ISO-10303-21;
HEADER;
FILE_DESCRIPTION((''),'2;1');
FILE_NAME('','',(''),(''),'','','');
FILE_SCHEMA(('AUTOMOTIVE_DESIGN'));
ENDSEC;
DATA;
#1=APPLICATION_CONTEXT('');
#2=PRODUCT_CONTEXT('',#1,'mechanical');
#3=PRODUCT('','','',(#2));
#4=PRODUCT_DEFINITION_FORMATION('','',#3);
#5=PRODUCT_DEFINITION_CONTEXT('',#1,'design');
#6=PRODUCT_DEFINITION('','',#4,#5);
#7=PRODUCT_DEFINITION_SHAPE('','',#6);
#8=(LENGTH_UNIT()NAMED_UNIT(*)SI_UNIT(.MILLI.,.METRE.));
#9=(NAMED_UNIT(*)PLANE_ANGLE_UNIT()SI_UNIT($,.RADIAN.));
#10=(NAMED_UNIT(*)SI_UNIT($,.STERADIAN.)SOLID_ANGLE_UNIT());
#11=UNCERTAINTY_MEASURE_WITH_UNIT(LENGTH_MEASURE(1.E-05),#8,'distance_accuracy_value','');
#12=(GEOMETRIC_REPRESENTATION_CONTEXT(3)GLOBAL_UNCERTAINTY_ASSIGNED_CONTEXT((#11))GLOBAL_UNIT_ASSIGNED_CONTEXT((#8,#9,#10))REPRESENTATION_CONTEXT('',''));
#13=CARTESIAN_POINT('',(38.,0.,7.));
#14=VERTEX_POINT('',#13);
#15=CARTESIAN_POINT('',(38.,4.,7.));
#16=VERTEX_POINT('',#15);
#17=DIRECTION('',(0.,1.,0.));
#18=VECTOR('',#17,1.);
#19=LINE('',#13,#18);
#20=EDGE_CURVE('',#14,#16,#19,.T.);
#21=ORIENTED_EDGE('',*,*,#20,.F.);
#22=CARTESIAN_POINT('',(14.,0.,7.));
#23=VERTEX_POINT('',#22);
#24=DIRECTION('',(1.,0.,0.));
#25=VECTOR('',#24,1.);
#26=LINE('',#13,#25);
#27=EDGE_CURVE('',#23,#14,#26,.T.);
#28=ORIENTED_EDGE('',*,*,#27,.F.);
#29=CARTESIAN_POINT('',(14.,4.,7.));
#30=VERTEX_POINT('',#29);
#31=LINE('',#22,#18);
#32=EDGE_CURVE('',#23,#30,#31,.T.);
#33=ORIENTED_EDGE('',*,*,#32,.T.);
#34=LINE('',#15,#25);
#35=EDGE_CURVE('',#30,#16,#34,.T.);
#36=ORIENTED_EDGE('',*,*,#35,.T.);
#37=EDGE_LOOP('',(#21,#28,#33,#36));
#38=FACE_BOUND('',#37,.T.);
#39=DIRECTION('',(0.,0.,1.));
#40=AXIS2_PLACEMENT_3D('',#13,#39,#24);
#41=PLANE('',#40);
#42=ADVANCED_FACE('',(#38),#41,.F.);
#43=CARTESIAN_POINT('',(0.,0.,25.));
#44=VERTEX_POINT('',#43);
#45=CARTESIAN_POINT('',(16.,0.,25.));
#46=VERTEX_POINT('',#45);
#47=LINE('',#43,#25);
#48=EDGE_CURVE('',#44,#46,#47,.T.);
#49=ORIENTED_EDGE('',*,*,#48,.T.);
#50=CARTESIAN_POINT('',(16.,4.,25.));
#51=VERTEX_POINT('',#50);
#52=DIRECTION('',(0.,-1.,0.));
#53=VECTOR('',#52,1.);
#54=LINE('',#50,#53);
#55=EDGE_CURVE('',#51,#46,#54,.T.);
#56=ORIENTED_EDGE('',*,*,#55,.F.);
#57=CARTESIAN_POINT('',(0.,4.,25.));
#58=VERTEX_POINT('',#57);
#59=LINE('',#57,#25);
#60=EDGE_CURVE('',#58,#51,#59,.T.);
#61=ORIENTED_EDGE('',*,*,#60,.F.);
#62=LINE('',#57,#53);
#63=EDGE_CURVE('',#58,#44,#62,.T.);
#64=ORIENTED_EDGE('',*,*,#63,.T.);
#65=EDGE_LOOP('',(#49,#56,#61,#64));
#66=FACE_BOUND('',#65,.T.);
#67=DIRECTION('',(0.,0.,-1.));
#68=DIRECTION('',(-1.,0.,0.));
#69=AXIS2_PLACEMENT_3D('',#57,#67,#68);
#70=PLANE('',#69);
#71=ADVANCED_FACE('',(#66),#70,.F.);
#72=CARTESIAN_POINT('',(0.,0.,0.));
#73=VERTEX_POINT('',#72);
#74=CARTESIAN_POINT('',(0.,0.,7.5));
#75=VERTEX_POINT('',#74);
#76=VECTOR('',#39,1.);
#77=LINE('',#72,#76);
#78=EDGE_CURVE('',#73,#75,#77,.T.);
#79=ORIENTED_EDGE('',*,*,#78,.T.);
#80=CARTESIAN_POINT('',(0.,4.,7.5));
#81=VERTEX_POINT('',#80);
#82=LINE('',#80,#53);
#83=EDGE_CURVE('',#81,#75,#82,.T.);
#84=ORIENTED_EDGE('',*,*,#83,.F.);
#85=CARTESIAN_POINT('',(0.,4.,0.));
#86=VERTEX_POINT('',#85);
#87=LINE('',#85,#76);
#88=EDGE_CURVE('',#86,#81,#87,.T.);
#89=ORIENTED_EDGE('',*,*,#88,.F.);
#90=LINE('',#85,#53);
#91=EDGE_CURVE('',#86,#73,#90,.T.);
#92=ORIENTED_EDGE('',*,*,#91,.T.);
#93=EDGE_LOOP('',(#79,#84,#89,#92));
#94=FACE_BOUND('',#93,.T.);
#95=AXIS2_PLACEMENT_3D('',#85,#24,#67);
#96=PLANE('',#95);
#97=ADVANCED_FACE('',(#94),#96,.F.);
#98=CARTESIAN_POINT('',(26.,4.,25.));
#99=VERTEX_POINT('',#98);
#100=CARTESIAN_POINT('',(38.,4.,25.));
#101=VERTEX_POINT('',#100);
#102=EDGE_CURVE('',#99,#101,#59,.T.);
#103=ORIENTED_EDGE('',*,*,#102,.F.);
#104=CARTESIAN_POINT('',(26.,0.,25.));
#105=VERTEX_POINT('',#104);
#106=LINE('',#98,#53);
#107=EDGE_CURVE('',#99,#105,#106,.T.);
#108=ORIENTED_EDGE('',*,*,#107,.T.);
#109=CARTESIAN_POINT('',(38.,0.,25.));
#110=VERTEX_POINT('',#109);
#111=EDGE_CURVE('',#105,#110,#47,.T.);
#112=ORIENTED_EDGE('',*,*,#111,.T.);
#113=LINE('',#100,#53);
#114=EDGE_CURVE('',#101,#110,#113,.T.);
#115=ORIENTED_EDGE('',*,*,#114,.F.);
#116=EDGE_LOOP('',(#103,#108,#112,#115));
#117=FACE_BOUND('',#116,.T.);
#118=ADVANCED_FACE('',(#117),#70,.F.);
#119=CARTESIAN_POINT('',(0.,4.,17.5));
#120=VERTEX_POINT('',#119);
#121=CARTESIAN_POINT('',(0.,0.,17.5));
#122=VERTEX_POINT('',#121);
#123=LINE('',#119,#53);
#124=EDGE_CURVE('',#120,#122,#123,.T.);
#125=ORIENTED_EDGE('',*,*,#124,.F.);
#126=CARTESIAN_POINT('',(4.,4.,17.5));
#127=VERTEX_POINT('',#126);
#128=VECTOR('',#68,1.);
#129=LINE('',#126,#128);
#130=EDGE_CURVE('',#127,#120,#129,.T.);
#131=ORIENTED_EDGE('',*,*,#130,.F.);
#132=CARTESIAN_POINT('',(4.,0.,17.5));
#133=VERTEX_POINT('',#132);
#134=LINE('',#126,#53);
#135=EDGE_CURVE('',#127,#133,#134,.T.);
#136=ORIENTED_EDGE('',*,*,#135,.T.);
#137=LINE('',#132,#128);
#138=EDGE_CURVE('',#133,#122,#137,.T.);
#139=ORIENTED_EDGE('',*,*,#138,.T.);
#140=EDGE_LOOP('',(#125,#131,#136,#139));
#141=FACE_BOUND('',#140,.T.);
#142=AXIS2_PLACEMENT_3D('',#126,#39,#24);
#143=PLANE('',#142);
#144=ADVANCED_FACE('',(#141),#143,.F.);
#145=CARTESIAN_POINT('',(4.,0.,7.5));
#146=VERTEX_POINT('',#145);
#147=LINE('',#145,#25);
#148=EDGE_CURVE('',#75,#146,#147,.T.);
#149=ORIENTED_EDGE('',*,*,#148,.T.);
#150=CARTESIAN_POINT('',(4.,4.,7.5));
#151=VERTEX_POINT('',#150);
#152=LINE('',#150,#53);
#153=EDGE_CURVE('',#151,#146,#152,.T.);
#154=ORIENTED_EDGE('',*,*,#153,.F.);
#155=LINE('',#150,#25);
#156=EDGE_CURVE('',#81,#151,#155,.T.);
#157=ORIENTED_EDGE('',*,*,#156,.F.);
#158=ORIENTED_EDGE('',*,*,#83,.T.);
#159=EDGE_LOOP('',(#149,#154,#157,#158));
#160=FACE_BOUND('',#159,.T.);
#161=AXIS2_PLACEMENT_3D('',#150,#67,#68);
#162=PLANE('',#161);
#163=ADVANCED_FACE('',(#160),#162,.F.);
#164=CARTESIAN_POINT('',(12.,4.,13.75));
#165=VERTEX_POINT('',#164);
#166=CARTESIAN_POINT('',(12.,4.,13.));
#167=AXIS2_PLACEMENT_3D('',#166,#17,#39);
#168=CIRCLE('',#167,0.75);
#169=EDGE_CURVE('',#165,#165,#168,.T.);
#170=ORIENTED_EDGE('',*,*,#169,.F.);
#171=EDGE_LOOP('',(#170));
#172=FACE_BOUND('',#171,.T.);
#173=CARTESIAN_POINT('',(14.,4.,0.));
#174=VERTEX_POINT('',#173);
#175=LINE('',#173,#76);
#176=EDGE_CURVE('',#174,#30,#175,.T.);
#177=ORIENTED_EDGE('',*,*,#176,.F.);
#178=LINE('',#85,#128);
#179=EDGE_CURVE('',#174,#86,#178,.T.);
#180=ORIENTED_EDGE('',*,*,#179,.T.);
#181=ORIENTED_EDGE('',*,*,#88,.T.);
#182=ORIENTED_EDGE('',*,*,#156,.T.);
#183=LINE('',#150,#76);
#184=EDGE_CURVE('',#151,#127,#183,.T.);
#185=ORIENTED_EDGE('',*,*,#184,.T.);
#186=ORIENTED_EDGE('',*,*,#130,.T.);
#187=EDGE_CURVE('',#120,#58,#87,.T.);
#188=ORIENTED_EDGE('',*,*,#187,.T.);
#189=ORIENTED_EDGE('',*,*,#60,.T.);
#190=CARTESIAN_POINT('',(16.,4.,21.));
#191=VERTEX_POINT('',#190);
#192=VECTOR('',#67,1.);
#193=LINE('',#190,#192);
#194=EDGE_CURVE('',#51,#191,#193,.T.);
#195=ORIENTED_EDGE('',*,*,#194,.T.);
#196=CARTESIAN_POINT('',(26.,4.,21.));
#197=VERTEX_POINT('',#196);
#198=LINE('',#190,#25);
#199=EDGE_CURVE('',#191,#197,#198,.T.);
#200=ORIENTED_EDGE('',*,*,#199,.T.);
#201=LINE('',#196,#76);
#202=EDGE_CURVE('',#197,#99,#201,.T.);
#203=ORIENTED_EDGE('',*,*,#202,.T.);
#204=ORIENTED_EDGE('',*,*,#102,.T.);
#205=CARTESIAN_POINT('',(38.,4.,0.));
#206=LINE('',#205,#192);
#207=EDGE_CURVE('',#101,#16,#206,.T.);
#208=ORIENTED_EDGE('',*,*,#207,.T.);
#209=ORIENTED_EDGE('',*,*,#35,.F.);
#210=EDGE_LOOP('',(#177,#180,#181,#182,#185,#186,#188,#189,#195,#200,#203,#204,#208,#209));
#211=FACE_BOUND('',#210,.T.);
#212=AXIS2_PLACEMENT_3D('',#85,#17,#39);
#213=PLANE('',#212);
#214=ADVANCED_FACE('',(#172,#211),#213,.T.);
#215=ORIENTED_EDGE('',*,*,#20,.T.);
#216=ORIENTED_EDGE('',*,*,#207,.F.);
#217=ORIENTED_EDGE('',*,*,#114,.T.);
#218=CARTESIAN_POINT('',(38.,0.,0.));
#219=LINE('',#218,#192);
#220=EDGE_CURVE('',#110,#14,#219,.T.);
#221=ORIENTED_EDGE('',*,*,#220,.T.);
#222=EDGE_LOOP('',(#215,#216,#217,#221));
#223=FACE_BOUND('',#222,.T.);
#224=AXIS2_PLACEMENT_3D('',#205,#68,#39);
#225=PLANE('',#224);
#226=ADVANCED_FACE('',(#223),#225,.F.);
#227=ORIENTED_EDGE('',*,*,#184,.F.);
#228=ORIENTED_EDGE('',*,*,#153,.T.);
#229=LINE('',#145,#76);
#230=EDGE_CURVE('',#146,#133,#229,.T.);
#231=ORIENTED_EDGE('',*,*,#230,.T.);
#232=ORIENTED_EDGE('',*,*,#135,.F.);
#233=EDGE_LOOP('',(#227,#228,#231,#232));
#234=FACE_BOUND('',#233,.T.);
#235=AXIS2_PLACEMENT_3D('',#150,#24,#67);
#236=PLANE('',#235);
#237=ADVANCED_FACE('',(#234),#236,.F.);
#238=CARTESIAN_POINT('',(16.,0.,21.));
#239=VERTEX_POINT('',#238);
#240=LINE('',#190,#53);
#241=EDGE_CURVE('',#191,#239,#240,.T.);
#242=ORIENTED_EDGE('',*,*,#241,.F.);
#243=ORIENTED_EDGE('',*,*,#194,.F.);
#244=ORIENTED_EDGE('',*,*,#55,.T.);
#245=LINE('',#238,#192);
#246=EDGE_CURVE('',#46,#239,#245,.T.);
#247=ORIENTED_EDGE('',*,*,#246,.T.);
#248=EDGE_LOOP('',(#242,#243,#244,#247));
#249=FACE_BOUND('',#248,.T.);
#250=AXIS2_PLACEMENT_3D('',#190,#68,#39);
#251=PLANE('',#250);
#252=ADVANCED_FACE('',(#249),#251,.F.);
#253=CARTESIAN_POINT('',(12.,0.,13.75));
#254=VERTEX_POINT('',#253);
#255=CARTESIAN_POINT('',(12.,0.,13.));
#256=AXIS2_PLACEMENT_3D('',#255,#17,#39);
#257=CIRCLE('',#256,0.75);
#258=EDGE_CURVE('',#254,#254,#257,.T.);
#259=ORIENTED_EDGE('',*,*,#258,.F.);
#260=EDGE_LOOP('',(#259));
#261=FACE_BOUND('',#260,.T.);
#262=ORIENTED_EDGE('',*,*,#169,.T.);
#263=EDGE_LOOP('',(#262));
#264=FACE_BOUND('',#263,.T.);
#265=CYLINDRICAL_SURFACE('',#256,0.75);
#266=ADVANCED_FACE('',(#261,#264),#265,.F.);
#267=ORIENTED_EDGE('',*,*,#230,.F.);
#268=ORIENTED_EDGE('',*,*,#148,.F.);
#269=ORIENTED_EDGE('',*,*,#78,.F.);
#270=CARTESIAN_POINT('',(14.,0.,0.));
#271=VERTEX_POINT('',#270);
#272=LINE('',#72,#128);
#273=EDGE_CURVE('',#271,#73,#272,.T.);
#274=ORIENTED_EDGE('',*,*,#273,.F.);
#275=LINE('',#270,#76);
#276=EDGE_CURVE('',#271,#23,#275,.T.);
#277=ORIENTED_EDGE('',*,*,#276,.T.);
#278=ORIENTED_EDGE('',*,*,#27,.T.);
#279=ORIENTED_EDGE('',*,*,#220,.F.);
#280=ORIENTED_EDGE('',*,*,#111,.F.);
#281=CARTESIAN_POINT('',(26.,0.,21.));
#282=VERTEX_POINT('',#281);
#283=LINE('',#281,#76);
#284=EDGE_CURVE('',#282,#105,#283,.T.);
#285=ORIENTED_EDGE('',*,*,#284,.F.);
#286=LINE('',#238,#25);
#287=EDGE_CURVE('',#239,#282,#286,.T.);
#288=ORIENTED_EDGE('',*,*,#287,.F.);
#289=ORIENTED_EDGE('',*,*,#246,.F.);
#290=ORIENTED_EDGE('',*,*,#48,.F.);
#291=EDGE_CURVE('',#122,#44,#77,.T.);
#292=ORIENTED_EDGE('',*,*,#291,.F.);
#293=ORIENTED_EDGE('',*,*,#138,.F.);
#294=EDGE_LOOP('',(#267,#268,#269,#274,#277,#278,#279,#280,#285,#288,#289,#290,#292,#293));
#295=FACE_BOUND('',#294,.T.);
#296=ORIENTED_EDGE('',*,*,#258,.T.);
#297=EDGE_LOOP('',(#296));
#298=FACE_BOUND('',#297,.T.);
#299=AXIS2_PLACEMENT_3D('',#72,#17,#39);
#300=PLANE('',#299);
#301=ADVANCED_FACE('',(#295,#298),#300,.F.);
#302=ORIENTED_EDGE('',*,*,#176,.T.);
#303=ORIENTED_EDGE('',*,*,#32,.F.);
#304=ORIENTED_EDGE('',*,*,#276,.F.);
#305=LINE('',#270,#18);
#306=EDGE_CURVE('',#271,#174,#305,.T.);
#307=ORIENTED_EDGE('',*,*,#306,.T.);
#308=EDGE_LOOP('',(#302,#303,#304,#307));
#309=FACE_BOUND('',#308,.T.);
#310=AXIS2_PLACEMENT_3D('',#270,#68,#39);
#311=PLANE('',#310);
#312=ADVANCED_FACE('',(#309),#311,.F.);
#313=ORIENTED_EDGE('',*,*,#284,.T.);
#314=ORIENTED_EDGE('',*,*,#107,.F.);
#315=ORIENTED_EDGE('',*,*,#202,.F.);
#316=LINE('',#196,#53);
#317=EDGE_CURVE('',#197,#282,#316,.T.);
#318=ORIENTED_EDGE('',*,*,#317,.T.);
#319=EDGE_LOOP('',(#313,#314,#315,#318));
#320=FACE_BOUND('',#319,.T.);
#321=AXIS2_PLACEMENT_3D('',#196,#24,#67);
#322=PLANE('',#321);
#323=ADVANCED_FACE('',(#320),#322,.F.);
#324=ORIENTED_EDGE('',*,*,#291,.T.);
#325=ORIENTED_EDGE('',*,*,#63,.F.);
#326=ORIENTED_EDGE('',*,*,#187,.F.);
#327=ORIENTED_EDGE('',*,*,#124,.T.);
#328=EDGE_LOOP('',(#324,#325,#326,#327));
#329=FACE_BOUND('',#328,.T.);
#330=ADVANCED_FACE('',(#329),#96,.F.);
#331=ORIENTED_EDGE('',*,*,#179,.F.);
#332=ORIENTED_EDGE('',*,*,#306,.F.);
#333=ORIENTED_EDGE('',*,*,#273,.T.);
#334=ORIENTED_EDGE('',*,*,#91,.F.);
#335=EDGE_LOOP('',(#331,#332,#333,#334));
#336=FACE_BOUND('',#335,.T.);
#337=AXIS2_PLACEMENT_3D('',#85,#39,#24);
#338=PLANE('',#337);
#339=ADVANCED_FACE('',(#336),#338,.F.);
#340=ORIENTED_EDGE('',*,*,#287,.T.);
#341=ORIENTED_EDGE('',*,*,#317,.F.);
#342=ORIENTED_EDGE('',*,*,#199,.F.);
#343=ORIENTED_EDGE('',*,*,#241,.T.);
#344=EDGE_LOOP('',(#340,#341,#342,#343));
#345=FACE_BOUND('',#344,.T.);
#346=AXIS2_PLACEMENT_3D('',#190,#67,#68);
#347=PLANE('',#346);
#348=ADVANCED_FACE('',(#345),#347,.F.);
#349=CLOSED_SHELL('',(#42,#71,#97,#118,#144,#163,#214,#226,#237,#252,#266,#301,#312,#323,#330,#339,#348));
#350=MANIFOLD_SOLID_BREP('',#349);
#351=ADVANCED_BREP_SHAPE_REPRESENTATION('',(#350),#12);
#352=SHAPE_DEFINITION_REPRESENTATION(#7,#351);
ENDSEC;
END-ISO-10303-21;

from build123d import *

# Parameters (mm, degrees)
SKETCH1_W           = 38
SKETCH1_H           = 25
BOSS_EXTRUDE1_DEPTH = 4
SKETCH2_W           = 24
SKETCH2_H           = 7
CUT_EXTRUDE1_DEPTH  = 46.661800227
SKETCH3_W           = 4
SKETCH3_H           = 10
CUT_EXTRUDE2_DEPTH  = 46.661800227
SKETCH4_W           = 10
SKETCH4_H           = 4
CUT_EXTRUDE3_DEPTH  = 46.661800227
SKETCH5_R           = 0.75
CUT_EXTRUDE4_DEPTH  = 46.661800227


with BuildPart() as part:
    # Sketch1 → Boss-Extrude1 (new body)
    with BuildSketch(Plane(origin=(0, 0, 0), x_dir=(1, 0, 0), z_dir=(0, 1, 0))):
        with Locations((19, -12.5)):
            Rectangle(SKETCH1_W, SKETCH1_H)
    extrude(amount=BOSS_EXTRUDE1_DEPTH)

    # Sketch2 → Cut-Extrude1 (cut, through all)
    with BuildSketch(Plane(origin=(0, 4, 0), x_dir=(1, 0, 0), z_dir=(0, 1, 0))):
        with Locations((26, -3.5)):
            Rectangle(SKETCH2_W, SKETCH2_H)
    extrude(amount=-CUT_EXTRUDE1_DEPTH, mode=Mode.SUBTRACT)

    # Sketch3 → Cut-Extrude2 (cut, through all)
    with BuildSketch(Plane.XZ):
        with Locations((2, 12.5)):
            Rectangle(SKETCH3_W, SKETCH3_H)
    extrude(amount=-CUT_EXTRUDE2_DEPTH, mode=Mode.SUBTRACT)

    # Sketch4 → Cut-Extrude3 (cut, through all)
    with BuildSketch(Plane(origin=(0, 0, 0), x_dir=(-1, 0, 0), z_dir=(0, -1, 0))):
        with Locations((-21, -23)):
            Rectangle(SKETCH4_W, SKETCH4_H)
    extrude(amount=-CUT_EXTRUDE3_DEPTH, mode=Mode.SUBTRACT)

    # Sketch5 → Cut-Extrude4 (cut, through all)
    with BuildSketch(Plane(origin=(0, 4, 0), x_dir=(1, 0, 0), z_dir=(0, 1, 0))):
        with Locations(Location((12, -13, 0), (0, 0, 270))):
            Circle(SKETCH5_R)
    extrude(amount=-CUT_EXTRUDE4_DEPTH, mode=Mode.SUBTRACT)


solid = part.part
